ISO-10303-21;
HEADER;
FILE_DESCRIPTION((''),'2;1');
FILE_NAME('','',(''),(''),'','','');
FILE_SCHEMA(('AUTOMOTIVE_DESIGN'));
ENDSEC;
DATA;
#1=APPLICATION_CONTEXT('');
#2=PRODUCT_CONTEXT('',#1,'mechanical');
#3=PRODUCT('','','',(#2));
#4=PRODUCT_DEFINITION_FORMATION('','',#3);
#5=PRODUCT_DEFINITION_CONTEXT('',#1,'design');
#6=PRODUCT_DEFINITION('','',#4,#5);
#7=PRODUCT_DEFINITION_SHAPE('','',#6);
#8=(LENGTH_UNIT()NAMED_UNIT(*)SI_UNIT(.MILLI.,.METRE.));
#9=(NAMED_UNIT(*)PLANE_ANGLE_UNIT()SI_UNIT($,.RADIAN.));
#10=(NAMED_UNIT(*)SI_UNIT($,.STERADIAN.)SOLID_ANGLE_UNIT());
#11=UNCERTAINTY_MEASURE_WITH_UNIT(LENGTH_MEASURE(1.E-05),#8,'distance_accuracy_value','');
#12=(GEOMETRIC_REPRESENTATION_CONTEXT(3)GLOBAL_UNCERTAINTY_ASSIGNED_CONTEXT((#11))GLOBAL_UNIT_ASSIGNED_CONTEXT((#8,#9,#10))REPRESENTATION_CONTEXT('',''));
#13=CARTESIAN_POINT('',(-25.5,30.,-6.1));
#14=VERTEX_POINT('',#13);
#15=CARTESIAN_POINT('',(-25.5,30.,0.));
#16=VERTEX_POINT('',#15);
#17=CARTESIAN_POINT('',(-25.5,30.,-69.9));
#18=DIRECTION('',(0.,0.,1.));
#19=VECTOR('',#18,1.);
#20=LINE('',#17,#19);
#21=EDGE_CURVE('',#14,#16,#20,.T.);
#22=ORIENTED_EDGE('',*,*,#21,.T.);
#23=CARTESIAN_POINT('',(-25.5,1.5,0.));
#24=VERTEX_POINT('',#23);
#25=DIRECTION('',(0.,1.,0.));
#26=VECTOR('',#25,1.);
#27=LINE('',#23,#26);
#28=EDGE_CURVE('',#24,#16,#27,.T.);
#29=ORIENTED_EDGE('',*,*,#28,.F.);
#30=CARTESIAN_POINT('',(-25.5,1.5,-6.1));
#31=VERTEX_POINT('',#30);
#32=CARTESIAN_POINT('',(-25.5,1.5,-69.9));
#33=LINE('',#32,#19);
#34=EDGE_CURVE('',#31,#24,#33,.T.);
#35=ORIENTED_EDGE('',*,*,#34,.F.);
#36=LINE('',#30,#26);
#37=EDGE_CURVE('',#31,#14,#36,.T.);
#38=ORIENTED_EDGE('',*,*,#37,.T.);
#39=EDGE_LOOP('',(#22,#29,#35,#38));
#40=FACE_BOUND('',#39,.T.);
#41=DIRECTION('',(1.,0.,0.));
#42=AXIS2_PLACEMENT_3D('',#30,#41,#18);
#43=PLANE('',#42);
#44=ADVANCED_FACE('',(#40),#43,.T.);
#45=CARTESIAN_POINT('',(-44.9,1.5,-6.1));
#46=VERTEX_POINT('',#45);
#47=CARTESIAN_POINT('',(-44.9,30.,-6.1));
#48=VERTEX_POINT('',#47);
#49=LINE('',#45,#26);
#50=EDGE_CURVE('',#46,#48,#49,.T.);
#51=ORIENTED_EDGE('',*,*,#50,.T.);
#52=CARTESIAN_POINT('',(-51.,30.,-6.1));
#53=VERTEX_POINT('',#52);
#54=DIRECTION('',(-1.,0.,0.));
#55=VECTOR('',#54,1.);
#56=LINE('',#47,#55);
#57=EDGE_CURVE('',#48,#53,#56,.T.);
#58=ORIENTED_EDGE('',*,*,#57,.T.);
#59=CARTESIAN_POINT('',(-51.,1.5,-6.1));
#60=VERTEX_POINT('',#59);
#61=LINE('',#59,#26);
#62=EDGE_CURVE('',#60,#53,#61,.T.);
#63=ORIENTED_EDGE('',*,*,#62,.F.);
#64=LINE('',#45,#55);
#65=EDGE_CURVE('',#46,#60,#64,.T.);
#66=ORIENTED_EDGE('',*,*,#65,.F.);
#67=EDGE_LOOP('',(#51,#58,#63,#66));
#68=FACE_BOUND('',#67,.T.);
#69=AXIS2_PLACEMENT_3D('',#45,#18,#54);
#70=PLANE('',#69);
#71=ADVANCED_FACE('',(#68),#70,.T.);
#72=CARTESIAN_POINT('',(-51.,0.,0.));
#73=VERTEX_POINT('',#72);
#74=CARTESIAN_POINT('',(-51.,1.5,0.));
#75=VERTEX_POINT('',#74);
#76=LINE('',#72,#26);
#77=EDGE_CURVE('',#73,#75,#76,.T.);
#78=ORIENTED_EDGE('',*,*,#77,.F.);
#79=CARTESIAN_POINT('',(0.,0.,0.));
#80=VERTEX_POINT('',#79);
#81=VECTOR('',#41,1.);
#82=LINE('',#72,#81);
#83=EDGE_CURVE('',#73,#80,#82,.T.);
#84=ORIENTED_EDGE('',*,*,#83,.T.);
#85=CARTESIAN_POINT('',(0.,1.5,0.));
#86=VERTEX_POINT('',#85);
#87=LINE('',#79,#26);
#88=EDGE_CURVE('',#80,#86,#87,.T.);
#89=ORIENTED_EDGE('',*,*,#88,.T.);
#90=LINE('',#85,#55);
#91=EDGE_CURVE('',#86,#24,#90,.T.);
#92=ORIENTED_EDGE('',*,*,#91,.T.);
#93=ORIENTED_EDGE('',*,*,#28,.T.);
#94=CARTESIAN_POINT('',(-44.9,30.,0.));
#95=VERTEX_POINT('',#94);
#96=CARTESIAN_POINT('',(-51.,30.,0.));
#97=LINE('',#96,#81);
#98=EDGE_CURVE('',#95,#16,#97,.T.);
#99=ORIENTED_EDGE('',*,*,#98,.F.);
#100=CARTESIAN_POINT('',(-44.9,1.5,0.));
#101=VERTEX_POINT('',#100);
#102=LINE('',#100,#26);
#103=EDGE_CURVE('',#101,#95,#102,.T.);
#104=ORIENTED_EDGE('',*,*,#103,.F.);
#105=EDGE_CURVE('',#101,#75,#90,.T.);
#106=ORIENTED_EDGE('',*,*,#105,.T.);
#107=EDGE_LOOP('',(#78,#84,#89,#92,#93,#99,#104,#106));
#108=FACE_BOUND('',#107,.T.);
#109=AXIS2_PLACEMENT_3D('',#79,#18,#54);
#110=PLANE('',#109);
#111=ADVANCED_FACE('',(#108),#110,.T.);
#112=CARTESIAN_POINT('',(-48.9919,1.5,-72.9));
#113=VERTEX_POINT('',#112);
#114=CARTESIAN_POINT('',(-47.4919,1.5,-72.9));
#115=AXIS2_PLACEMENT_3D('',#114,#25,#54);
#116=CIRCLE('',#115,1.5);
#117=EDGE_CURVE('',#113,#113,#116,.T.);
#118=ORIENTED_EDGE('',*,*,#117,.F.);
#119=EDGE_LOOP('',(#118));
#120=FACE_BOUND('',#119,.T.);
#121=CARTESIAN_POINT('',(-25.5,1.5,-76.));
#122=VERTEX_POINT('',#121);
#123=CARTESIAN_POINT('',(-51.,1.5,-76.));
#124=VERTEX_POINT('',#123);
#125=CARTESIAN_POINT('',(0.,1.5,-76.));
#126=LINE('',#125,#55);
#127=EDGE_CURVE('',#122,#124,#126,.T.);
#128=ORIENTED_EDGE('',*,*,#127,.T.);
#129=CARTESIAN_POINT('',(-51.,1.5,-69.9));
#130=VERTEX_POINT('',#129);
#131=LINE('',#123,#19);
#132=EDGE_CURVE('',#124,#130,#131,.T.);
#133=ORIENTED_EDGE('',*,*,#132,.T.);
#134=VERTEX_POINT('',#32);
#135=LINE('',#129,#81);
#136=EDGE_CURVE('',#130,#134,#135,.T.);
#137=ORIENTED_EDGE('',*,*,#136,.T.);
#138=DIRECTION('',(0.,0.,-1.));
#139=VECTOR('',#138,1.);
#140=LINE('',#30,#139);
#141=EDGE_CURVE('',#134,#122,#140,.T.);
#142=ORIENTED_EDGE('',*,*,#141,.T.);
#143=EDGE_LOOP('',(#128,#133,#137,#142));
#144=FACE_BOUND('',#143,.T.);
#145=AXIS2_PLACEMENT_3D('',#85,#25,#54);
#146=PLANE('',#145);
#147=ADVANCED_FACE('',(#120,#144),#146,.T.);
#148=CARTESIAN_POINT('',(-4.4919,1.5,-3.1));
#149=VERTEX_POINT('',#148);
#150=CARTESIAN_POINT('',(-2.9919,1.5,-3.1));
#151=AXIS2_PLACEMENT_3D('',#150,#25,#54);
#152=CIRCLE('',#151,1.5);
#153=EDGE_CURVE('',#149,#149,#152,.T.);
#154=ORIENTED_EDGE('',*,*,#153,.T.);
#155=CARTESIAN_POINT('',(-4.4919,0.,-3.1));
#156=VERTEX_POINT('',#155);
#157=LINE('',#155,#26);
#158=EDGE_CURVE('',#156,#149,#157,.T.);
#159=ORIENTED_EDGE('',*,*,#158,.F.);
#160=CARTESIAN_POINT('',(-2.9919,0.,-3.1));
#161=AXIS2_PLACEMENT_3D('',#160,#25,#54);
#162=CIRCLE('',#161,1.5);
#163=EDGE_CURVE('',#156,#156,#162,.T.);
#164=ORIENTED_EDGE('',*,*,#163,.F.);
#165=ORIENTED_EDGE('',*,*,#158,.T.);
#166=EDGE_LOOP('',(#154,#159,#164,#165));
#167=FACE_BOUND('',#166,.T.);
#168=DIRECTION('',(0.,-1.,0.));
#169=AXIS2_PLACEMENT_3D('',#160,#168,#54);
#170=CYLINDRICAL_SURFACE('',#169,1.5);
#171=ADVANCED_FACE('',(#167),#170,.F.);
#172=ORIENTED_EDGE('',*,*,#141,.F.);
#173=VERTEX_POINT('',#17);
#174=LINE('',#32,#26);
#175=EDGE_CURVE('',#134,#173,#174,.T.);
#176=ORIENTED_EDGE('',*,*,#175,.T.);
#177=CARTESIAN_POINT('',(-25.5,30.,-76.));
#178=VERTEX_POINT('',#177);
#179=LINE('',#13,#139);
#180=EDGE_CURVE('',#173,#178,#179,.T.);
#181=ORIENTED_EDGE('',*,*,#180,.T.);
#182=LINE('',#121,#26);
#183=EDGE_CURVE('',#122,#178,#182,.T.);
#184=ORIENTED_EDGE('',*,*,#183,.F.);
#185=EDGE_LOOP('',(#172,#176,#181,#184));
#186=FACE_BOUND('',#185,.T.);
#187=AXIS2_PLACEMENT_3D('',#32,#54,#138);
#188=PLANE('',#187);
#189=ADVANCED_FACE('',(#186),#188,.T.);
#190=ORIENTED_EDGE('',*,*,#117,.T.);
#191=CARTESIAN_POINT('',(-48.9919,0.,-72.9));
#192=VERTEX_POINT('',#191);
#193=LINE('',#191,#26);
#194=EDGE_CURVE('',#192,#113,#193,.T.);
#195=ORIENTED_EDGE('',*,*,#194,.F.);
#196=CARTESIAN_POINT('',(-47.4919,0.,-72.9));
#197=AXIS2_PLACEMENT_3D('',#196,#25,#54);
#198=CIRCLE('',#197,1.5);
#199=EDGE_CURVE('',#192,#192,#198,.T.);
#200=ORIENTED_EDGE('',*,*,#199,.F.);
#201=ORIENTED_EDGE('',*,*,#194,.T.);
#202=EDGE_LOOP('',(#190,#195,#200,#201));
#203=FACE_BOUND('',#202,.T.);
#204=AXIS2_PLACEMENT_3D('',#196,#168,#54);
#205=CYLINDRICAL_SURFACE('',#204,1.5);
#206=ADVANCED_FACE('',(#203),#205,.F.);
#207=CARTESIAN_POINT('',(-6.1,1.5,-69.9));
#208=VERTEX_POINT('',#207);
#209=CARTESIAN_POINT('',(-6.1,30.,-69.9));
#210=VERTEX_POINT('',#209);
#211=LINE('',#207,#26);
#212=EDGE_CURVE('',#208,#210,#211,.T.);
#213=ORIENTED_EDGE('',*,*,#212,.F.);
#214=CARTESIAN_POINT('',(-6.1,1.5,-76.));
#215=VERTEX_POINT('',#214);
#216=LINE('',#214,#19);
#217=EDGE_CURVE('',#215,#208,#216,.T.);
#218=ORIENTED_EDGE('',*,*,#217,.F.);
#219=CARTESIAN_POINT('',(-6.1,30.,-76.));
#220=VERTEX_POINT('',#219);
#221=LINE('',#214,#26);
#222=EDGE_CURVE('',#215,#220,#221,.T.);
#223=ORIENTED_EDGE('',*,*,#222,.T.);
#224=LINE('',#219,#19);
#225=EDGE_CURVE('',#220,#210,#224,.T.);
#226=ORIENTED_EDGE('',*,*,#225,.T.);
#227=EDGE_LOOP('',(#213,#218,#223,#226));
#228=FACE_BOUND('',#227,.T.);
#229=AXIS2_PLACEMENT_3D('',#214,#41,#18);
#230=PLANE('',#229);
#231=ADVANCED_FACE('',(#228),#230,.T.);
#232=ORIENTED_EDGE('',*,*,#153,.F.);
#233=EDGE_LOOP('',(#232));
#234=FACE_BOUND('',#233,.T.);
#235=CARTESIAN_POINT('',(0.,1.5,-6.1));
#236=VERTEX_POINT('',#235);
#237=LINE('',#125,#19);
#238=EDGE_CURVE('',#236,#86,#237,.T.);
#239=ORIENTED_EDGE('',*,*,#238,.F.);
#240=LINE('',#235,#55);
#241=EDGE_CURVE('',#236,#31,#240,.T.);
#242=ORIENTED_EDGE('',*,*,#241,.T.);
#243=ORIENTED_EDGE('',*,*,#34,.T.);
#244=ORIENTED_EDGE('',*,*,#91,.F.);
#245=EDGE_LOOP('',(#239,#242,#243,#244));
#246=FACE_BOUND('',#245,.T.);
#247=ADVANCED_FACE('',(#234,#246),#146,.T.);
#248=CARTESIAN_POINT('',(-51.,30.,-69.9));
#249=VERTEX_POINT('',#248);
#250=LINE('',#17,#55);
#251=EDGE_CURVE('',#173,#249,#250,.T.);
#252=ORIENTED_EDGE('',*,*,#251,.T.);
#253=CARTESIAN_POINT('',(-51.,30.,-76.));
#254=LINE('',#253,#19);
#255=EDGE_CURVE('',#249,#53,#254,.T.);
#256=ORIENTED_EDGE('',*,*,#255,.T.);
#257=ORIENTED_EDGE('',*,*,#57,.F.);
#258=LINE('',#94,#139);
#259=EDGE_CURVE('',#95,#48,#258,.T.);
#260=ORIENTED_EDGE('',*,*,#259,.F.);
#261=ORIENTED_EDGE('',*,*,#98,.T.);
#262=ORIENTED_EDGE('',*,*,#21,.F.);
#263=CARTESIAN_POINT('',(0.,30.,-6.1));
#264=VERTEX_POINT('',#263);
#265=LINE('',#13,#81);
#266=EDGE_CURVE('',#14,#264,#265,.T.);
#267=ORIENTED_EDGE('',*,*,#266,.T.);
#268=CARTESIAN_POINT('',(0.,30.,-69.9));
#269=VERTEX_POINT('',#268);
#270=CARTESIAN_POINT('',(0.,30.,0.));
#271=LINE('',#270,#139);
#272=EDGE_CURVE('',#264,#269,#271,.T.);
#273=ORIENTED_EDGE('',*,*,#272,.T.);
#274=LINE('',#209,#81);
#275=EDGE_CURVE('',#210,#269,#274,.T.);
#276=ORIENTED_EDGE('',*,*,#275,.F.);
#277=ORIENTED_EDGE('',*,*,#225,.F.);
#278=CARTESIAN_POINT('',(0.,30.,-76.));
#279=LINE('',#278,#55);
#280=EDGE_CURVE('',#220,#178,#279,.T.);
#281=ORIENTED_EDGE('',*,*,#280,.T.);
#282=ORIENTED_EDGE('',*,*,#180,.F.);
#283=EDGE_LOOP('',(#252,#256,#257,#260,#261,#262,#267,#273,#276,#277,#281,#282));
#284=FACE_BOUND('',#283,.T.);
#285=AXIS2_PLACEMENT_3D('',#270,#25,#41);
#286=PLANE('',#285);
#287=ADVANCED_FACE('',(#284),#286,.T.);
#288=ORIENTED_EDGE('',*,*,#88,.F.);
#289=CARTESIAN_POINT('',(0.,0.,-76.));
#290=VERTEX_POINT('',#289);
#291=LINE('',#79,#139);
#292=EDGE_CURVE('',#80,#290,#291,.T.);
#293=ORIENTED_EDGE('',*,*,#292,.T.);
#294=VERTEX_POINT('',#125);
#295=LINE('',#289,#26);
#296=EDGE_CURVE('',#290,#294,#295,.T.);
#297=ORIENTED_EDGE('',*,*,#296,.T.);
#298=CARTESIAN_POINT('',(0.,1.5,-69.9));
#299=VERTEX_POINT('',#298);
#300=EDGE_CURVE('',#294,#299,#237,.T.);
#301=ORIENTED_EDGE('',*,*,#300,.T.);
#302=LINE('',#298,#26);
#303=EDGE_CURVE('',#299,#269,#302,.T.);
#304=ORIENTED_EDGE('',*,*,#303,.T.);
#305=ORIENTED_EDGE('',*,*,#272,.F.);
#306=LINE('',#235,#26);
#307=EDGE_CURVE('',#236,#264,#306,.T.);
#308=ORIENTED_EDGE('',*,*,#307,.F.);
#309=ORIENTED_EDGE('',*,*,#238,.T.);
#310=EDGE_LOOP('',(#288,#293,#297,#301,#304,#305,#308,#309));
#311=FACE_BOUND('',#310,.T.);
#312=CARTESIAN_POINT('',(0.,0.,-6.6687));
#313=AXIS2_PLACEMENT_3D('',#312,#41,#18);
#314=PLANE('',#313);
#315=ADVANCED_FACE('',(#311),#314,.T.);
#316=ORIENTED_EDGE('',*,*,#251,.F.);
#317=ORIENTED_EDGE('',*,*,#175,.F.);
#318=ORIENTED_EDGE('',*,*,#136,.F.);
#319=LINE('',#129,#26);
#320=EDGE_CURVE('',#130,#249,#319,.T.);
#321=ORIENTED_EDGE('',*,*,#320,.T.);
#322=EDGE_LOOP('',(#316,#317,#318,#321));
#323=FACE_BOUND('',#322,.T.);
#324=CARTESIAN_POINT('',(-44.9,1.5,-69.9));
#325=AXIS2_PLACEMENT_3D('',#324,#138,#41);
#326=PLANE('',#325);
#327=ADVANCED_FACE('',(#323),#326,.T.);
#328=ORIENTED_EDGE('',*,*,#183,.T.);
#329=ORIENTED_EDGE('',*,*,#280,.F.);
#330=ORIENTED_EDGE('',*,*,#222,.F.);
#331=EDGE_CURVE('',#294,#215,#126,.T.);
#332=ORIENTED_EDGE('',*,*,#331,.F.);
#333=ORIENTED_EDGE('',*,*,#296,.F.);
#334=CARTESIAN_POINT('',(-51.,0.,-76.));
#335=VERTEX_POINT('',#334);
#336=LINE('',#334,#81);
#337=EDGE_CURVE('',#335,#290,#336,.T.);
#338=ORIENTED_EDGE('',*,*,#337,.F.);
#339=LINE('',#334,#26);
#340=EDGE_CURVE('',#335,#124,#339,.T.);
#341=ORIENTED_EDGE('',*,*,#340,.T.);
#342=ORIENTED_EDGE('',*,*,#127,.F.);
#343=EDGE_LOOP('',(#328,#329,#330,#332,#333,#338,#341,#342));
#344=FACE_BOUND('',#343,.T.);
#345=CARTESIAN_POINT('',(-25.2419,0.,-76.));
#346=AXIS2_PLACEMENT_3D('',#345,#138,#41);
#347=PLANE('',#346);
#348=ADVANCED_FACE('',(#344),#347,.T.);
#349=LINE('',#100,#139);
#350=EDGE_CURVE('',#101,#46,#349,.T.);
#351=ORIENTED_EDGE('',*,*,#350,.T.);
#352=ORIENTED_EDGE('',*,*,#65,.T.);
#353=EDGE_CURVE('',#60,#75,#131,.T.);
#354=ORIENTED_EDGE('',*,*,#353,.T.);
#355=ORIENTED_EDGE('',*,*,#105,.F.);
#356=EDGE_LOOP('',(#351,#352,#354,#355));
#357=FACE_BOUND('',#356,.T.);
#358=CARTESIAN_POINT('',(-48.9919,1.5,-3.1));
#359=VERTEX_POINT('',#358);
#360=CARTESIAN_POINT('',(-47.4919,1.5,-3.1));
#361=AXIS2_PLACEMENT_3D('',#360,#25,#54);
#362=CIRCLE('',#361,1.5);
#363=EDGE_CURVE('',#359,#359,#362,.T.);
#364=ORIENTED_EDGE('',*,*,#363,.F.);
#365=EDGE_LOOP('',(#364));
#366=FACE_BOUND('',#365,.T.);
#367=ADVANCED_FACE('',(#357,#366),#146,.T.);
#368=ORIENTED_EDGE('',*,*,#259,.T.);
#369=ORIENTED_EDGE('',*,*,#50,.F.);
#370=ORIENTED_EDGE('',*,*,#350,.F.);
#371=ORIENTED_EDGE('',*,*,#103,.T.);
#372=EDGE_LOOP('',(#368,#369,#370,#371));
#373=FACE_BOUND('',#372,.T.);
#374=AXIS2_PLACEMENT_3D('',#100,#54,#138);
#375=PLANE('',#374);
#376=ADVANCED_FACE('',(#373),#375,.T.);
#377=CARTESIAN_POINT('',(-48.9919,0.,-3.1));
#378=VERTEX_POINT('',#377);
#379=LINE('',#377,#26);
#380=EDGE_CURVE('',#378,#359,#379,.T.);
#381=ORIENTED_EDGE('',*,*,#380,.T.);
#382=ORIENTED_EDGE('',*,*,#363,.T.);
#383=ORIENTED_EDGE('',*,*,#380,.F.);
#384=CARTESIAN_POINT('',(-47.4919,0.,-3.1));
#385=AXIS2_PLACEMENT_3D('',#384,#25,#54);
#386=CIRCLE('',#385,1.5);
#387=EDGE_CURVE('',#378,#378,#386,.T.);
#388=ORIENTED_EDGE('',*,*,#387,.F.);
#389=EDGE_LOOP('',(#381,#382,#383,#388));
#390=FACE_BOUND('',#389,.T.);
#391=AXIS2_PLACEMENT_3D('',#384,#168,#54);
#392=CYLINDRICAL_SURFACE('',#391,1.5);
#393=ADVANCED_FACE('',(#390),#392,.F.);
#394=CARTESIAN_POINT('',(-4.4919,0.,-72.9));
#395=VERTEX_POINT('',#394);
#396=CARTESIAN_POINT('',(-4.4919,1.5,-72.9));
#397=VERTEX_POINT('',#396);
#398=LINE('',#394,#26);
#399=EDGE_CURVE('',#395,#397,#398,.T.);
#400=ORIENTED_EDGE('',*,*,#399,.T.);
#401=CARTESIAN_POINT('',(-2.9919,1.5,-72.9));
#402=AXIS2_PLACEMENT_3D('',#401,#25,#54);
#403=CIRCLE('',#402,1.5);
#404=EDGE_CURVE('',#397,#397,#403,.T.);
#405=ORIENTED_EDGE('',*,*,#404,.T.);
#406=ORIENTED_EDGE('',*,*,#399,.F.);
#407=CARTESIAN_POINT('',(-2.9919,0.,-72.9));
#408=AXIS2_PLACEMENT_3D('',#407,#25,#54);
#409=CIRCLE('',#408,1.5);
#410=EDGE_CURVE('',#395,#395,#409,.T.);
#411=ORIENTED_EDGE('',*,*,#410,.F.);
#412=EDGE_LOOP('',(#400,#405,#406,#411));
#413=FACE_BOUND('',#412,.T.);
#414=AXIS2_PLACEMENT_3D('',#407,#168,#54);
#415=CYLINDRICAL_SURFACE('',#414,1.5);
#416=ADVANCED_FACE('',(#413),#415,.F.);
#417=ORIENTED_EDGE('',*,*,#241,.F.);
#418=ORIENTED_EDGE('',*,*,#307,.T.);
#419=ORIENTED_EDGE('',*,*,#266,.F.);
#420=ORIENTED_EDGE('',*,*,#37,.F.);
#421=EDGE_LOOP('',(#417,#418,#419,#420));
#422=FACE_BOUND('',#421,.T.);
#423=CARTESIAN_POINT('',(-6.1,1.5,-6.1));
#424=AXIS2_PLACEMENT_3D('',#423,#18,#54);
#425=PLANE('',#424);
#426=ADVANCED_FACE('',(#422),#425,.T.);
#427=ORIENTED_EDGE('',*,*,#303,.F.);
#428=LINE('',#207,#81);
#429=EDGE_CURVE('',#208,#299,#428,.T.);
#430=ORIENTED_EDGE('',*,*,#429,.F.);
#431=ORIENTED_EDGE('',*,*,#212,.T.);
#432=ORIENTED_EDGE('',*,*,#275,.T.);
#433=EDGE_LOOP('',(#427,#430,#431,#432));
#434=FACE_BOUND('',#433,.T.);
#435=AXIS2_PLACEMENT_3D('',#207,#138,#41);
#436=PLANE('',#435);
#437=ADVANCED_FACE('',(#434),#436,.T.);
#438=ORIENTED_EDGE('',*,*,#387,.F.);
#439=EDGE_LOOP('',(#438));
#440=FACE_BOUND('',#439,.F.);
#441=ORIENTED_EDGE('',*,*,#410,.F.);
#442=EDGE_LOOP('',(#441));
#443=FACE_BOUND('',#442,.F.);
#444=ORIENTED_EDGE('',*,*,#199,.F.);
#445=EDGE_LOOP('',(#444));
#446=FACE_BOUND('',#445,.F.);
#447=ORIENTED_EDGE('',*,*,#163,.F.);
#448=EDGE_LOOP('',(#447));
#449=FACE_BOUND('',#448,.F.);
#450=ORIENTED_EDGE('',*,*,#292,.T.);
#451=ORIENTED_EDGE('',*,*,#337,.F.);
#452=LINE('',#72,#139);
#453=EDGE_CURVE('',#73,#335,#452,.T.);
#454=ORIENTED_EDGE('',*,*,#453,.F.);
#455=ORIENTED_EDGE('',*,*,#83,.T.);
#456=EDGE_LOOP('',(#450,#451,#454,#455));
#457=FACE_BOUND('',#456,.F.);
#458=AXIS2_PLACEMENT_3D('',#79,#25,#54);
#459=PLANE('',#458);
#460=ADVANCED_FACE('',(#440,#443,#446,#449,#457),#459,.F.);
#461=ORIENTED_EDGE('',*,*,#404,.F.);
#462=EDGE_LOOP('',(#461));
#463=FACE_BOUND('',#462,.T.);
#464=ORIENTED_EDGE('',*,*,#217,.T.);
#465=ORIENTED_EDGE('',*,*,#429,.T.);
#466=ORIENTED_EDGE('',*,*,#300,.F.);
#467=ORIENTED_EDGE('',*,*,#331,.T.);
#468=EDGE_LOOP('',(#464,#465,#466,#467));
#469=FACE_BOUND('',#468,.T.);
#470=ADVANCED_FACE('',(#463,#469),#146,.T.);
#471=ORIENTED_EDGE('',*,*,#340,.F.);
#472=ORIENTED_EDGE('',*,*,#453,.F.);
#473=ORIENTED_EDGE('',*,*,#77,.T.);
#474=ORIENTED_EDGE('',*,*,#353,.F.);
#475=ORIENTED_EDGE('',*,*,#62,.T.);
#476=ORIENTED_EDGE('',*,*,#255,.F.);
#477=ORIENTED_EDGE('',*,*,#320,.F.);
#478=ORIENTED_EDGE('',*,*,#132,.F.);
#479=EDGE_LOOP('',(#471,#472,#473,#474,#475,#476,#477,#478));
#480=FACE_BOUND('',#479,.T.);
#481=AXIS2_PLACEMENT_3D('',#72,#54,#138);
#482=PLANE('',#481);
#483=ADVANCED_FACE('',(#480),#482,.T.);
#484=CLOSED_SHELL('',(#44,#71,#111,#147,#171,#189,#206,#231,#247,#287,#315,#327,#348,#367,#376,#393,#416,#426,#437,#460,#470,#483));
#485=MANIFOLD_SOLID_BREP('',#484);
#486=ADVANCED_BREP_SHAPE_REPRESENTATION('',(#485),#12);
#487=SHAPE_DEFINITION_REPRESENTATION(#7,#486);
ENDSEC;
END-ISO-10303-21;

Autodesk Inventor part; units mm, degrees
ref_plane "YZ Plane" through (0, 0, 0) normal (1, 0, 0) x (0, 1, 0)
ref_plane "XZ Plane" through (0, 0, 0) normal (0, 1, 0) x (-1, 0, 0)
ref_plane "XY Plane" through (0, 0, 0) normal (0, 0, 1) x (1, 0, 0)
sketch "Sketch1" plane through (0, 0, 0) normal (0, 1, 0) x (-1, 0, 0)
  line L0 (0, 0) -> (51, 0)
  line L1 (51, 0) -> (51, -76)
  line L2 (51, -76) -> (0, -76)
  line L3 (0, -76) -> (0, 0)
  line L4 (25.2419, 25.0701) -> (25.2419, -108.9673)
  line L5 (67.6146, -38) -> (-16.7983, -38)
  circle A0 centre (47.4919, -3.1) radius 1.5
  line L6 (25.2419, -101.0701) -> (25.2419, 32.9673)
  circle A1 centre (47.4919, -72.9) radius 1.5
  circle A2 centre (2.9919, -3.1) radius 1.5
  circle A3 centre (2.9919, -72.9) radius 1.5
  line L7 (0, -6.6687) -> (0, -69.6719)
  line L8 (51, -69.6719) -> (51, -6.6687)
  line L9 (43.5757, 0) -> (25.2419, 0)
  line L10 (25.2419, 0) -> (25.2419, -6.6687)
  line L11 (25.2419, -69.6719) -> (25.2419, -76)
  line L12 (25.2419, -76) -> (6.2363, -76)
  point P0 (25.2419, 0)
  point P1 (25.2419, -76)
  dimension "d0" = 51
  dimension "d1" = 76
  dimension "d2" = 69.8
  dimension "d3" = 44.5
  dimension "d4" = 3
  dimension "d11" = 3.1
extrude "Extrusion2" add sketch "Sketch1" along normal blind 1.5
sketch "Sketch2" plane through (0, 1.5, 0) normal (0, 1, 0) x (1, 0, 0)
  line L0 (0, 76) -> (-51, 76) projected
  line L1 (-25.5, 76) -> (-6.1, 76)
  line L2 (-6.1, 76) -> (-6.1, 6.1)
  line L3 (-6.1, 6.1) -> (-25.5, 6.1)
  line L4 (-25.5, 6.1) -> (-25.5, 76)
  circle A0 centre (-2.9919, 3.1) radius 1.5 projected
  line L5 (0, 0) -> (0, 76) projected
  line L6 (-51, 76) -> (-51, 0) projected
  line L7 (-51, 69.9) -> (-44.9, 69.9)
  line L8 (-44.9, 69.9) -> (-44.9, 6.1)
  line L9 (-44.9, 6.1) -> (-51, 6.1)
  line L10 (-51, 6.1) -> (-51, 69.9)
  line L11 (-6.1, 69.9) -> (0, 69.9)
  line L12 (0, 69.9) -> (0, 6.1)
  line L13 (0, 6.1) -> (-6.1, 6.1)
  line L14 (-6.1, 6.1) -> (-6.1, 69.9)
  line L15 (-51, 0) -> (0, 0) projected
  line L16 (-25.5, 0) -> (-44.9, 0)
  line L17 (-44.9, 0) -> (-44.9, 69.9)
  line L18 (-44.9, 69.9) -> (-25.5, 69.9)
  line L19 (-25.5, 69.9) -> (-25.5, 0)
  point P0 (-47.95, 6.1)
  point P1 (-47.95, 69.9)
  point P2 (-44.9, 6.1)
  point P3 (-6.1, 6.1)
  point P4 (0, 69.9)
  point P5 (-6.1, 76)
  dimension "d12" = 6.1
  dimension "d14" = 6.1
  dimension "d15" = 6.1
  dimension "d16" = 6.1
  dimension "d17" = 6.1
  dimension "d18" = 6.1
extrude "Extrusion3" add sketch "Sketch2" along normal blind 28.5 contours L2 L3 L4 L0 | L5 L13 L2 L11 | L4 L19 L15 L17 L8 L18 | L7 L8 L9 L6
properties part number "24V"
